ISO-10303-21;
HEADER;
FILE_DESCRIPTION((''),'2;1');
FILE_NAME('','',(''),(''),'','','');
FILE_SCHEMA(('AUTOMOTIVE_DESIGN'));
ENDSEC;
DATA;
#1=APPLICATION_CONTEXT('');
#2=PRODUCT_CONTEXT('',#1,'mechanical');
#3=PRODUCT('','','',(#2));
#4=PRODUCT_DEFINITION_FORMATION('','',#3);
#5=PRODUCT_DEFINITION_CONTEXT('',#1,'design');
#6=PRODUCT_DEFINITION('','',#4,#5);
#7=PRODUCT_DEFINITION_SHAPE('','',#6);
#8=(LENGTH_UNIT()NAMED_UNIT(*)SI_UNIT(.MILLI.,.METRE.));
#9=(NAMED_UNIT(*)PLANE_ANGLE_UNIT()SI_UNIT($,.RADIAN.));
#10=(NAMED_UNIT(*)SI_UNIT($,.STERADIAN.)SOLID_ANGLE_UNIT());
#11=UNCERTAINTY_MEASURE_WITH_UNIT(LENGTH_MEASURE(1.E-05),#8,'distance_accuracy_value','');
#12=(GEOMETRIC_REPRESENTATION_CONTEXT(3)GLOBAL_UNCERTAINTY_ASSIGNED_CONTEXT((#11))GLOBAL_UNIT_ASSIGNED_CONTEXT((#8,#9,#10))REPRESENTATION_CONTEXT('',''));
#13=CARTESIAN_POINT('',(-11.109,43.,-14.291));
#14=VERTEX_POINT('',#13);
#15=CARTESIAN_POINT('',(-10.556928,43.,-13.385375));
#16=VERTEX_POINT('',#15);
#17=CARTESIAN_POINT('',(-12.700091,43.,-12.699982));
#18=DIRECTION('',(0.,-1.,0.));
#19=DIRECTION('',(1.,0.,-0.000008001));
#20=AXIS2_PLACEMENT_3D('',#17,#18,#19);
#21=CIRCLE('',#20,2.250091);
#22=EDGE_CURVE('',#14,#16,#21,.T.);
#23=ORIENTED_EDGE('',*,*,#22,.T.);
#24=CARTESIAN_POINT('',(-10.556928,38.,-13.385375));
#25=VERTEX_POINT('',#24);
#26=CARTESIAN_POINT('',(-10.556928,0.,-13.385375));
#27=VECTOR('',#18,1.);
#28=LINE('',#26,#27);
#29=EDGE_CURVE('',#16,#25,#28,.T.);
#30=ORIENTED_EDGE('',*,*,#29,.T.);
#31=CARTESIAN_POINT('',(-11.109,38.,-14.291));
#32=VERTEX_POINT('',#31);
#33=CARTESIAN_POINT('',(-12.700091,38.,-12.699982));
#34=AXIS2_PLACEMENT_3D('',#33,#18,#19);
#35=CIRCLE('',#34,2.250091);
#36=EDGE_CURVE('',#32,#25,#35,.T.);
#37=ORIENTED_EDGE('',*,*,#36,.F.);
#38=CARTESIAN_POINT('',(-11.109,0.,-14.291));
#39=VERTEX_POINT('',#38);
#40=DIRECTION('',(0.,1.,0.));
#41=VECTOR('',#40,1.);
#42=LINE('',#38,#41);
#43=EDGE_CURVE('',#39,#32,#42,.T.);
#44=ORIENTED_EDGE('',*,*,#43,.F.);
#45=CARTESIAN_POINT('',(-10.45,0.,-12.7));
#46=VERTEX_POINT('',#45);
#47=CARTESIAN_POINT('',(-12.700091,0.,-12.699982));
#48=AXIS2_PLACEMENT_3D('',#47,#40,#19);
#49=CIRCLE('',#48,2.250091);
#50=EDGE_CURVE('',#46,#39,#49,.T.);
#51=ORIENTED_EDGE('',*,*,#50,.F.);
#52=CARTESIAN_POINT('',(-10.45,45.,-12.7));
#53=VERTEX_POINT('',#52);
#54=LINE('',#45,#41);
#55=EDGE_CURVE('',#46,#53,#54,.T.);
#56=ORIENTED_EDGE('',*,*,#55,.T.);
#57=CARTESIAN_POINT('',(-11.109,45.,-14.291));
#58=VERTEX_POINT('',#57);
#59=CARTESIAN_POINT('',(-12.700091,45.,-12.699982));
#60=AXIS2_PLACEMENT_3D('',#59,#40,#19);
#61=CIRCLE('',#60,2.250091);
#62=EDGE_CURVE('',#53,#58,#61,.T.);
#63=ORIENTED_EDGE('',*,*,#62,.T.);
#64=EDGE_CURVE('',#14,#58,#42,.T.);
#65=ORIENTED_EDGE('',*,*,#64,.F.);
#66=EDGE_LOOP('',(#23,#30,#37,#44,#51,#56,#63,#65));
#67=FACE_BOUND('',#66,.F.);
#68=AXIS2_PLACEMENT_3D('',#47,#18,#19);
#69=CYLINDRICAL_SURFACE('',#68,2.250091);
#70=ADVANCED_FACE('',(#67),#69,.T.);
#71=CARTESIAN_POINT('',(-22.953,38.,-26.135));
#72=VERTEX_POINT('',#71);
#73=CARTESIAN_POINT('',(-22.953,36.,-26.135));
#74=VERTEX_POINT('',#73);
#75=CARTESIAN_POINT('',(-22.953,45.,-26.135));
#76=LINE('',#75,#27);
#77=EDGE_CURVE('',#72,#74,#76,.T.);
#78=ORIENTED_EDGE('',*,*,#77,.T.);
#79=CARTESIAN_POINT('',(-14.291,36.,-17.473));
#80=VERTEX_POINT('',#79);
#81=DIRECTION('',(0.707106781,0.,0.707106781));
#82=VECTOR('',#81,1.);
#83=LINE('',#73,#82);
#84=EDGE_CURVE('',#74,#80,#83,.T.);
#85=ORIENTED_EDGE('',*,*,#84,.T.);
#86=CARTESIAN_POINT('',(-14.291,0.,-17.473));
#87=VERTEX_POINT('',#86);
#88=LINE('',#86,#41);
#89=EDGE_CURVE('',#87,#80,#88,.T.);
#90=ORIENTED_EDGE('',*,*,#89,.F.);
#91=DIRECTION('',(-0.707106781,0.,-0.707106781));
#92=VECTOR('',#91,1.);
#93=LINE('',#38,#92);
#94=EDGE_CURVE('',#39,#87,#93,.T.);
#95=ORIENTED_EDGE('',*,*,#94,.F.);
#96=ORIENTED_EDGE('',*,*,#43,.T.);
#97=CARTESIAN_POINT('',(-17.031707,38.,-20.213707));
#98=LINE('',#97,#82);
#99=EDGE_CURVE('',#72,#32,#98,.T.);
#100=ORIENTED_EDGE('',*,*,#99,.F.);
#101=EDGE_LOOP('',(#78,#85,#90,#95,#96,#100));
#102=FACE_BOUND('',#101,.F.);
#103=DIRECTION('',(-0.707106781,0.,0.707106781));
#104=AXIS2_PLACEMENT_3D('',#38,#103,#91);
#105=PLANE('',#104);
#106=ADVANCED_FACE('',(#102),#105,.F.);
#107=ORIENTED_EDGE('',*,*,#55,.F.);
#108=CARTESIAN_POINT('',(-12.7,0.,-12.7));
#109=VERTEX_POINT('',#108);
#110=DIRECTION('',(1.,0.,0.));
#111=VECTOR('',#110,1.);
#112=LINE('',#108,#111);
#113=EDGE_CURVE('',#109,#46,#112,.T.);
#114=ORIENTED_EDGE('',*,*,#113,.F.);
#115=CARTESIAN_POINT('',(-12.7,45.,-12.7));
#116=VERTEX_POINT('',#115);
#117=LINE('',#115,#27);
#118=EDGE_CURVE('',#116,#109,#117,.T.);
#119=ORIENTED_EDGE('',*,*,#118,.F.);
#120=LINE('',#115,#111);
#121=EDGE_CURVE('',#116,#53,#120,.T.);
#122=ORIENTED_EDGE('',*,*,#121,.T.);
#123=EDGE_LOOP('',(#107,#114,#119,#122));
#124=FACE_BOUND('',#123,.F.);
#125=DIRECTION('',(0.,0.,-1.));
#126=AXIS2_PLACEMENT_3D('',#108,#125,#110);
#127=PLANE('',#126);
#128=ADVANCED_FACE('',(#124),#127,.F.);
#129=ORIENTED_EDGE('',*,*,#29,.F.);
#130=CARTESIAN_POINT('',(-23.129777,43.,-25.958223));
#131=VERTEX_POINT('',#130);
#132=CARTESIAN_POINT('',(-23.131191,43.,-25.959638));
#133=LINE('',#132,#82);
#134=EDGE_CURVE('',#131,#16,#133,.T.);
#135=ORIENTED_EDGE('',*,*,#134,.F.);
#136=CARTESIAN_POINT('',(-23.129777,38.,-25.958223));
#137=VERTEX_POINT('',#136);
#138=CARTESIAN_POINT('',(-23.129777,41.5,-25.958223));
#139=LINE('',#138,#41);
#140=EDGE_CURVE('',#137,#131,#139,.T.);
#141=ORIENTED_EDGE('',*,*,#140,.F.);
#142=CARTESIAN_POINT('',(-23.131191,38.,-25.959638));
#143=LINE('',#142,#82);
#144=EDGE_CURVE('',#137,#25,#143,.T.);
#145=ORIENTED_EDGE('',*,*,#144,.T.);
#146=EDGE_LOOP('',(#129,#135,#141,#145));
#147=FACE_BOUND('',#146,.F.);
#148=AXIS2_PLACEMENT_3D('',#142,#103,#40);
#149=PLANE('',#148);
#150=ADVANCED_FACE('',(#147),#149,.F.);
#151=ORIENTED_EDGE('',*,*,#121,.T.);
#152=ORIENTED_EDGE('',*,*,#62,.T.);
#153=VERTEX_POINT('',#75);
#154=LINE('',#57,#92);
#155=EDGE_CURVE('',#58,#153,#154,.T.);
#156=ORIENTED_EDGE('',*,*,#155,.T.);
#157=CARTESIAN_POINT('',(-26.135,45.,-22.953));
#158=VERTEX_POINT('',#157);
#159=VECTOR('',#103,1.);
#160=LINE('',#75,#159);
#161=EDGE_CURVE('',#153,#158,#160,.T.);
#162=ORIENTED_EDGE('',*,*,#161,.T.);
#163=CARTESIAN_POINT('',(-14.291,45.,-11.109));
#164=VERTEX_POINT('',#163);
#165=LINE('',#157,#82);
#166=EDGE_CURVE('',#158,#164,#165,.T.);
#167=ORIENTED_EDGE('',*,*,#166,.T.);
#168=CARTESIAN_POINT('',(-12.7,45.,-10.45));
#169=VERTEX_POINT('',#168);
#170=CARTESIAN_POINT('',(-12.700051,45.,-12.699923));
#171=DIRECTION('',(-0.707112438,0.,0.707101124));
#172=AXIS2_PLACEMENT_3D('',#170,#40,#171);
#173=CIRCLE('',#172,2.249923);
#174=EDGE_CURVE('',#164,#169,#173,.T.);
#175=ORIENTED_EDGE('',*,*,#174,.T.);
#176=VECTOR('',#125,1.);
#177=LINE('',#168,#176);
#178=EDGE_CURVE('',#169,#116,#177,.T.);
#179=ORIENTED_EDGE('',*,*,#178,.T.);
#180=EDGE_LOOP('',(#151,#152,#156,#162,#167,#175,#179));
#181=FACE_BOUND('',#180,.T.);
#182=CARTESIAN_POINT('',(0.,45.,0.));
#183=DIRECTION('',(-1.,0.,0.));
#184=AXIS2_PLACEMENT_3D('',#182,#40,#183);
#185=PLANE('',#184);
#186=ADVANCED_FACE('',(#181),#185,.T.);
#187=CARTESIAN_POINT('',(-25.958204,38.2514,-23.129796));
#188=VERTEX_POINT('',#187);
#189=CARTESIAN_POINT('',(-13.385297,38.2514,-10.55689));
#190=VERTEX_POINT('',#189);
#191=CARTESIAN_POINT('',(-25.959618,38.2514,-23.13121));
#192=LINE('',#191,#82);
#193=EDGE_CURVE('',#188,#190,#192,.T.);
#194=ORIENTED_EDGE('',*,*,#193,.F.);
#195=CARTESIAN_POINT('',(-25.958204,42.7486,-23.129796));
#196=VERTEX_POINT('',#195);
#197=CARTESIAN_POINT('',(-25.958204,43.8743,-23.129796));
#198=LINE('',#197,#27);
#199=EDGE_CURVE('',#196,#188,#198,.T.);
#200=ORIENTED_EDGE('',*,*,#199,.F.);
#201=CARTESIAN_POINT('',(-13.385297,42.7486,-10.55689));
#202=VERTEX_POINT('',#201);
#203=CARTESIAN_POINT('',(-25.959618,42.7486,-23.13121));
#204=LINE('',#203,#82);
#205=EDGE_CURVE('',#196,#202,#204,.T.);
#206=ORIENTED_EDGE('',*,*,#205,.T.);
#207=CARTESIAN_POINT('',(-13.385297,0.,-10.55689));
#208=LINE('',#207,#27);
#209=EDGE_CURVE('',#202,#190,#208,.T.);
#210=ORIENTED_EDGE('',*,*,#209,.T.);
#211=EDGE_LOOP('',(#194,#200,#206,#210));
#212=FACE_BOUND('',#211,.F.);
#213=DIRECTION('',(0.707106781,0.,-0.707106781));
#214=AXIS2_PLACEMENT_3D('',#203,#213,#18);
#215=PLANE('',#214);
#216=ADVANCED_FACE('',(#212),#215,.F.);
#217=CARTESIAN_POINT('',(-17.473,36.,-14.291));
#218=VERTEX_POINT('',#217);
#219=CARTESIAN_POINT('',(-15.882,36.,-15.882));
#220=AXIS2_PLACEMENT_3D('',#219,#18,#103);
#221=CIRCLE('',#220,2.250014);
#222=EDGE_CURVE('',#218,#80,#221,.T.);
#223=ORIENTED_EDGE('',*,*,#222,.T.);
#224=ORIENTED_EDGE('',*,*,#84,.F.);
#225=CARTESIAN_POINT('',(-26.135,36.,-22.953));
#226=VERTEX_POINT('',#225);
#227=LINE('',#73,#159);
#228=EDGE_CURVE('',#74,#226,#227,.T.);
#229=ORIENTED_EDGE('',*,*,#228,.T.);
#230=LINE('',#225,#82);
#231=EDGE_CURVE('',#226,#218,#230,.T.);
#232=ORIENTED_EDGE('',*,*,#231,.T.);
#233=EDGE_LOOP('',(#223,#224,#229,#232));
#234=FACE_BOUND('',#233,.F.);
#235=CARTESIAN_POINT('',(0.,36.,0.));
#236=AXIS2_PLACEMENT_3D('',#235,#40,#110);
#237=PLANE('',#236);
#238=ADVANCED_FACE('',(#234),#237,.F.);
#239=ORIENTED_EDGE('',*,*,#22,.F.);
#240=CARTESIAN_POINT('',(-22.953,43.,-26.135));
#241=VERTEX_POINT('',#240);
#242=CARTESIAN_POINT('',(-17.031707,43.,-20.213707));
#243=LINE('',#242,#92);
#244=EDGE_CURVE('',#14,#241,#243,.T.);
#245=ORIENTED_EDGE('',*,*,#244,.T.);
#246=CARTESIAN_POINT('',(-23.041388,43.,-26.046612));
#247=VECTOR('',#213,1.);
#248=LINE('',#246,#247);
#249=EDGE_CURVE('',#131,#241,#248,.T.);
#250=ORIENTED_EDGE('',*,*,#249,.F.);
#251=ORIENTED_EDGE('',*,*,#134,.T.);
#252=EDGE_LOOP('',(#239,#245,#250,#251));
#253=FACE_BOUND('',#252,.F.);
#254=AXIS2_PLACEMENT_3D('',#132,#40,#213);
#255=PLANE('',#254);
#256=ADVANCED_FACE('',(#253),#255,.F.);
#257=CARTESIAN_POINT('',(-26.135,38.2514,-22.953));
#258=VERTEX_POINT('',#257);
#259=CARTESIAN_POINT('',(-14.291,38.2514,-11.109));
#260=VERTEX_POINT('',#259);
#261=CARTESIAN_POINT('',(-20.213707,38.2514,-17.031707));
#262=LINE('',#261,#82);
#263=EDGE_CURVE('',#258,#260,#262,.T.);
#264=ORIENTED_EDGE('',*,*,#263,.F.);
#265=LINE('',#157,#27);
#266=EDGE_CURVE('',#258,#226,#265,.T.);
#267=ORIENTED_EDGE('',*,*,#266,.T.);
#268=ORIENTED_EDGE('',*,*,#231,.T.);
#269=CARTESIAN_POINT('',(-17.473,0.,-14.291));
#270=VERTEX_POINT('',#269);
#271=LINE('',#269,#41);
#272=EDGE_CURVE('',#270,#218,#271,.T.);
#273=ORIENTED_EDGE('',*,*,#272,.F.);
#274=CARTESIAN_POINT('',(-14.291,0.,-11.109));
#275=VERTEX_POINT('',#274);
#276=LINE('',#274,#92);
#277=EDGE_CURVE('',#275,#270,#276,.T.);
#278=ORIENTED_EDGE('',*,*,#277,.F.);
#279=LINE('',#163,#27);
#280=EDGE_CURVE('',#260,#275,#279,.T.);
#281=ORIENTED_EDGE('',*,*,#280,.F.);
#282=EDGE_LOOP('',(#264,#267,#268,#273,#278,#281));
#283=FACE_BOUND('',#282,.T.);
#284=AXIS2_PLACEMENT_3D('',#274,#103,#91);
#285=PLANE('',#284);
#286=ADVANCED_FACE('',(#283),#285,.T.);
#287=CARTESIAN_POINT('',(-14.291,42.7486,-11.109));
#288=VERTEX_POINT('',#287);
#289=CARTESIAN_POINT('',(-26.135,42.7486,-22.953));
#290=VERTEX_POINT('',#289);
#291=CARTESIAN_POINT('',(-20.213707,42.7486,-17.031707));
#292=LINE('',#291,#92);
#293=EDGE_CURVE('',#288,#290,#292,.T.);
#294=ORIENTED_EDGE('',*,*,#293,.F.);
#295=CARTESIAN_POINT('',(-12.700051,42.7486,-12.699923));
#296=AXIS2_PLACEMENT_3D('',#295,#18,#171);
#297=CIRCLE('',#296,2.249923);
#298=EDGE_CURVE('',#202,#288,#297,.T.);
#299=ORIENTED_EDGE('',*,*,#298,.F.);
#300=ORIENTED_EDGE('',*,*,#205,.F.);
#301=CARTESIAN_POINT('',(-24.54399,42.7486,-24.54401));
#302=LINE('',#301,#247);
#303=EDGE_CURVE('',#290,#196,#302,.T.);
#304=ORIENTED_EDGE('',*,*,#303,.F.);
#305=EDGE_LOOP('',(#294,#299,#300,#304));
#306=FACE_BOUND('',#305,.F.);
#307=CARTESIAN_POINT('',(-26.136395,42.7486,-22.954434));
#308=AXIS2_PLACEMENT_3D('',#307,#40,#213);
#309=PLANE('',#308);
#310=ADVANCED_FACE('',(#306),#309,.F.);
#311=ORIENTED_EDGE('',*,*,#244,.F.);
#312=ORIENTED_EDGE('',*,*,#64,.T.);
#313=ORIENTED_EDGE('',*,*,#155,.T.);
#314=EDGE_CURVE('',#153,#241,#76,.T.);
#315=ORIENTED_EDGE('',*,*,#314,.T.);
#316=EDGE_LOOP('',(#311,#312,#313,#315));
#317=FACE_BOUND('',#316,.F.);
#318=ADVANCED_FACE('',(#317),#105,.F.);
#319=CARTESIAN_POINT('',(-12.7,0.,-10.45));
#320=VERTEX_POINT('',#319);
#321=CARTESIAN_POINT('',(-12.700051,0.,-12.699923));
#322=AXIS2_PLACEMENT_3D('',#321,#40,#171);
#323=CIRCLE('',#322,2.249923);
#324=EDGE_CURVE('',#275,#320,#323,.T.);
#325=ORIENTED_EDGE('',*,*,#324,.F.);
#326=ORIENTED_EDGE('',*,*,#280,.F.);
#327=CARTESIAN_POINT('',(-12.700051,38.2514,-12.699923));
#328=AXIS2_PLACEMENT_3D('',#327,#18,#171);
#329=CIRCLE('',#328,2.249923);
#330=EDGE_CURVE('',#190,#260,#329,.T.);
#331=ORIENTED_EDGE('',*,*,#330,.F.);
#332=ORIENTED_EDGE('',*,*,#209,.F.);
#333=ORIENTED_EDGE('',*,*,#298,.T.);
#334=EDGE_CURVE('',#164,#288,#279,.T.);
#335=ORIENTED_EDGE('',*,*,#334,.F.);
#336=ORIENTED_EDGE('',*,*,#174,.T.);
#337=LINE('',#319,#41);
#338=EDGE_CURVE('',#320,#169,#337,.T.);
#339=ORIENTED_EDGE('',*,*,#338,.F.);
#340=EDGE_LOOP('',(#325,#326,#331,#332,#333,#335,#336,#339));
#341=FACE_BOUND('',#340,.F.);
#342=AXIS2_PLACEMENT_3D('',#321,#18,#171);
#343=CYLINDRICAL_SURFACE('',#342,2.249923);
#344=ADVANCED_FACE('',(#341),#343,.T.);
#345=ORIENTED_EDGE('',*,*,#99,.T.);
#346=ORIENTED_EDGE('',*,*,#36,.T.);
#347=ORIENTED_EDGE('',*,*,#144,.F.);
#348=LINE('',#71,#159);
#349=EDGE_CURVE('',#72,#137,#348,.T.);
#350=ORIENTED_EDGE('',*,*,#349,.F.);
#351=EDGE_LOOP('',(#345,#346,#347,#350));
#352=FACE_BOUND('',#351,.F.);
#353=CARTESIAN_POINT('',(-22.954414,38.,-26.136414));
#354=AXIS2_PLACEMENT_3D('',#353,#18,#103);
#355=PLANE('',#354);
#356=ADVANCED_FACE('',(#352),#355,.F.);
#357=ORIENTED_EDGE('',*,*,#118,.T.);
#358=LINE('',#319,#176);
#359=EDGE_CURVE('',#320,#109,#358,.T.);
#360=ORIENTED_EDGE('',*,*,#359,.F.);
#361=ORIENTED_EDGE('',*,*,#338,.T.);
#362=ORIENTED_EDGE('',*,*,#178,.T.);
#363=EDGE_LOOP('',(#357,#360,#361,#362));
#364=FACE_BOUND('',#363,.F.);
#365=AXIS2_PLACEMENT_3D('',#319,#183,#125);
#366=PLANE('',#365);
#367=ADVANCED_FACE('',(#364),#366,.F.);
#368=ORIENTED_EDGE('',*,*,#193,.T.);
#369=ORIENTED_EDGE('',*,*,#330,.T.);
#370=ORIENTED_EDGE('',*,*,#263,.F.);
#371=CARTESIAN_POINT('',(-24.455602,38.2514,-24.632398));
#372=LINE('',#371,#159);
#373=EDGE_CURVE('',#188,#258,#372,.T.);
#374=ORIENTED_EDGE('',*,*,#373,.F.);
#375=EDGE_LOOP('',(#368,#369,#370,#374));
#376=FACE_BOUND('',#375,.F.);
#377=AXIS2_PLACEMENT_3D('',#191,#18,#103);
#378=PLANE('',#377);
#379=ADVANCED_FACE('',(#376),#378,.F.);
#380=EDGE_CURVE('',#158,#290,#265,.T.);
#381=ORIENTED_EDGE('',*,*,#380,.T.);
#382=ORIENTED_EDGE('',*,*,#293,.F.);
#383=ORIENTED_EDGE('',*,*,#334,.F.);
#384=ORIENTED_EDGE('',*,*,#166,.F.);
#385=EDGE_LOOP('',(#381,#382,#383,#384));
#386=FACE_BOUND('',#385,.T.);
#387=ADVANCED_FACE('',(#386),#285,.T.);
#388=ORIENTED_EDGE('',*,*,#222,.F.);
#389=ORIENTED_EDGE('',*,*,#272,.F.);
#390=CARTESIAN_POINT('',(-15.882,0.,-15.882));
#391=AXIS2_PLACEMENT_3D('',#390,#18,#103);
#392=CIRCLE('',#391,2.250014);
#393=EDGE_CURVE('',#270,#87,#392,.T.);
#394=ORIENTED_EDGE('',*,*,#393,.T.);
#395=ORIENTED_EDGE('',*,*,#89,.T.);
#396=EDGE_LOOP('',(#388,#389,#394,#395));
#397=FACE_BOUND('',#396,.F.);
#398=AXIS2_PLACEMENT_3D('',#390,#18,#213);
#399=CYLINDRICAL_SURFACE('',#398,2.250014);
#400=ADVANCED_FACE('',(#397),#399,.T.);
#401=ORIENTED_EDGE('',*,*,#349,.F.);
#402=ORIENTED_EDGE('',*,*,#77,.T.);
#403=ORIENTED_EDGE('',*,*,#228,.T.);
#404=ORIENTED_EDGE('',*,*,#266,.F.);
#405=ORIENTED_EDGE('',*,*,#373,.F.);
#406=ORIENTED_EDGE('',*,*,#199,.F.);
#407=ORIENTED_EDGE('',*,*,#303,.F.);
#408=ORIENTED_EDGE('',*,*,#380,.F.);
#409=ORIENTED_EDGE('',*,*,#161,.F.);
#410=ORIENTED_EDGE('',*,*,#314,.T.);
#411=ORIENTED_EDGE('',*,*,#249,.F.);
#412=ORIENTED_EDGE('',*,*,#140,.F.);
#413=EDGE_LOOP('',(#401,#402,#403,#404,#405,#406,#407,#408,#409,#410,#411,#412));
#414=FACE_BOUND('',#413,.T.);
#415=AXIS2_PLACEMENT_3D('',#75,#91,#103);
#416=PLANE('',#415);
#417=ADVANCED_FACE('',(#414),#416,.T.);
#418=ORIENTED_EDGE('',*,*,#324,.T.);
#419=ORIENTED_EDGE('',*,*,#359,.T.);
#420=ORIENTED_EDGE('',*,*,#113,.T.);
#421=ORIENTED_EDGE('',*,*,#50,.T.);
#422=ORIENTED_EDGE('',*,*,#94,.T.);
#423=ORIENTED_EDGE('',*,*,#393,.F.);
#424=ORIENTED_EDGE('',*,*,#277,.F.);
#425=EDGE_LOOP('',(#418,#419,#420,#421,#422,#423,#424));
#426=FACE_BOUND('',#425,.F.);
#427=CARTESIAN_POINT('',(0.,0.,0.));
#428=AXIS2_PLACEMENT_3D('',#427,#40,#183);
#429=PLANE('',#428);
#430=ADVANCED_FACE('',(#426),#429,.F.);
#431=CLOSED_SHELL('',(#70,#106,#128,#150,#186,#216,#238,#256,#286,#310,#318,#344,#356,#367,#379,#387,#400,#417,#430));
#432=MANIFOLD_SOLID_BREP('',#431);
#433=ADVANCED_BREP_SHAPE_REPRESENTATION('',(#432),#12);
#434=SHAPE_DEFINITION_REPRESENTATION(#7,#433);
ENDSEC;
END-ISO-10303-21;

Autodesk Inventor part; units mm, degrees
ref_plane "YZ Plane" through (0, 0, 0) normal (1, 0, 0) x (0, 1, 0)
ref_plane "XZ Plane" through (0, 0, 0) normal (0, 1, 0) x (-1, 0, 0)
ref_plane "XY Plane" through (0, 0, 0) normal (0, 0, 1) x (1, 0, 0)
sketch "Sketch1" plane through (0, 0, 0) normal (0, 1, 0) x (-1, 0, 0)
  line L0 (-12.7, -12.7) -> (10.45, -12.7)
  line L1 (12.7, -10.45) -> (12.7, 12.7)
  line L2 (12.7, 12.7) -> (-12.7, 12.7)
  line L3 (-12.7, 12.7) -> (-12.7, -12.7)
  line L4 (-12.7, -12.7) -> (12.7, 12.7) construction
  line L5 (12.7, -12.7) -> (-12.7, 12.7) construction
  line L6 (17.473, -17.473) -> (23.3066, -23.3066)
  arc A0 (14.291, -17.473) -> (17.473, -14.291) centre (15.882, -15.882) ccw
  line L7 (14.291, -11.109) -> (17.473, -14.291)
  line L8 (11.109, -14.291) -> (14.291, -17.473)
  line L9 (12.7, -10.45) -> (12.7, -12.7)
  line L10 (12.7, -12.7) -> (10.45, -12.7)
  arc A1 (14.291, -11.109) -> (12.7, -10.45) centre (12.7, -12.7) ccw
  arc A2 (10.45, -12.7) -> (11.109, -14.291) centre (12.7, -12.7) ccw
  point P0 (0, 0)
  point P1 (15.882, -15.882)
  dimension "d0" = 25.4
extrude "Extrusion1" add sketch "Sketch1" along normal blind 45 contours L10 L9 A1 L7 A0 L8 A2
sketch "Sketch2" plane through (0, 45, 0) normal (0, 1, 0) x (1, 0, 0)
  arc A0 (-14.291, 11.109) -> (-12.7, 10.45) centre (-12.7, 12.7) ccw projected
  line L0 (-12.7, 10.45) -> (-12.7, 12.7) projected
  line L1 (-12.7, 12.7) -> (-10.45, 12.7) projected
  arc A1 (-10.45, 12.7) -> (-11.109, 14.291) centre (-12.7, 12.7) ccw projected
  line L2 (-11.109, 14.291) -> (-14.291, 17.473) projected
  arc A2 (-14.291, 17.473) -> (-17.473, 14.291) centre (-15.882, 15.882) ccw projected
  line L3 (-17.473, 14.291) -> (-14.291, 11.109) projected
  line L4 (-17.473, 17.473) -> (-15.882, 19.064)
  arc A3 (-14.291, 17.473) -> (-17.473, 14.291) centre (-15.882, 15.882) ccw projected
  line L5 (-15.882, 19.064) -> (-19.064, 15.882)
  line L6 (-19.064, 15.882) -> (-14.291, 11.109)
  line L7 (-14.291, 11.109) -> (-11.109, 14.291)
  line L8 (-11.109, 14.291) -> (-15.882, 19.064)
  line L9 (-19.064, 15.882) -> (-26.135, 22.953)
  line L10 (-15.882, 19.064) -> (-22.953, 26.135)
  line L11 (-22.953, 26.135) -> (-26.135, 22.953)
  point P0 (0, 0)
  dimension "d10" = 10
extrude "Extrusion2" add sketch "Sketch2" against normal blind 9 contours L3 A2 L2 L7 | L6 L5 A2 | L4 L8 A2 | L5 L9 L11 L10 L4
sketch "Sketch3" plane through (-22.953, 36, -26.135) normal (-0.7071, 0, -0.7071) x (-0.7071, 0, 0.7071)
  line L0 (0, 0) -> (4.5, 0) projected
  line L1 (4.5, 9) -> (4.5, 0)
  line L2 (4.5, -36) -> (4.5, 9) projected
  line L3 (0, 9) -> (4.5, 9) projected
  line L4 (4.25, 2.2514) -> (4.75, 2.2514)
  line L5 (4.75, 2.2514) -> (4.75, 6.7486)
  line L6 (4.75, 6.7486) -> (4.25, 6.7486)
  line L7 (4.25, 6.7486) -> (4.25, 2.2514)
  line L8 (4.25, 2.2514) -> (4.75, 6.7486) construction
  line L9 (4.75, 2.2514) -> (4.25, 6.7486) construction
  line L10 (-0.25, 2) -> (0.25, 2)
  line L11 (0.25, 2) -> (0.25, 7)
  line L12 (0.25, 7) -> (-0.25, 7)
  line L13 (-0.25, 7) -> (-0.25, 2)
  line L14 (0, -36) -> (0, 9) projected
  line L15 (-0.25, 2) -> (0.25, 7) construction
  line L16 (0.25, 2) -> (-0.25, 7) construction
  line L17 (4.5, 6.7486) -> (4.5, 2.2514)
  line L18 (0, 2) -> (0, 7)
  point P0 (2.25, -36)
  point P1 (4.5, 4.5)
  point P2 (0, 4.5)
  dimension "d13" = 9
  dimension "d14" = 4.5
  dimension "d15" = 4.5
  dimension "d16" = 0.5
  dimension "d17" = 0.5
  dimension "d18" = 5
extrude "Extrusion3" cut sketch "Sketch3" against normal blind 21.7 contours L14 L12 L11 L10 | L10 L13 L12 L14 | L4 L7 L6 L1 | L1 L6 L5 L4
properties part number "Gripper_Gen3_FingerRail"
